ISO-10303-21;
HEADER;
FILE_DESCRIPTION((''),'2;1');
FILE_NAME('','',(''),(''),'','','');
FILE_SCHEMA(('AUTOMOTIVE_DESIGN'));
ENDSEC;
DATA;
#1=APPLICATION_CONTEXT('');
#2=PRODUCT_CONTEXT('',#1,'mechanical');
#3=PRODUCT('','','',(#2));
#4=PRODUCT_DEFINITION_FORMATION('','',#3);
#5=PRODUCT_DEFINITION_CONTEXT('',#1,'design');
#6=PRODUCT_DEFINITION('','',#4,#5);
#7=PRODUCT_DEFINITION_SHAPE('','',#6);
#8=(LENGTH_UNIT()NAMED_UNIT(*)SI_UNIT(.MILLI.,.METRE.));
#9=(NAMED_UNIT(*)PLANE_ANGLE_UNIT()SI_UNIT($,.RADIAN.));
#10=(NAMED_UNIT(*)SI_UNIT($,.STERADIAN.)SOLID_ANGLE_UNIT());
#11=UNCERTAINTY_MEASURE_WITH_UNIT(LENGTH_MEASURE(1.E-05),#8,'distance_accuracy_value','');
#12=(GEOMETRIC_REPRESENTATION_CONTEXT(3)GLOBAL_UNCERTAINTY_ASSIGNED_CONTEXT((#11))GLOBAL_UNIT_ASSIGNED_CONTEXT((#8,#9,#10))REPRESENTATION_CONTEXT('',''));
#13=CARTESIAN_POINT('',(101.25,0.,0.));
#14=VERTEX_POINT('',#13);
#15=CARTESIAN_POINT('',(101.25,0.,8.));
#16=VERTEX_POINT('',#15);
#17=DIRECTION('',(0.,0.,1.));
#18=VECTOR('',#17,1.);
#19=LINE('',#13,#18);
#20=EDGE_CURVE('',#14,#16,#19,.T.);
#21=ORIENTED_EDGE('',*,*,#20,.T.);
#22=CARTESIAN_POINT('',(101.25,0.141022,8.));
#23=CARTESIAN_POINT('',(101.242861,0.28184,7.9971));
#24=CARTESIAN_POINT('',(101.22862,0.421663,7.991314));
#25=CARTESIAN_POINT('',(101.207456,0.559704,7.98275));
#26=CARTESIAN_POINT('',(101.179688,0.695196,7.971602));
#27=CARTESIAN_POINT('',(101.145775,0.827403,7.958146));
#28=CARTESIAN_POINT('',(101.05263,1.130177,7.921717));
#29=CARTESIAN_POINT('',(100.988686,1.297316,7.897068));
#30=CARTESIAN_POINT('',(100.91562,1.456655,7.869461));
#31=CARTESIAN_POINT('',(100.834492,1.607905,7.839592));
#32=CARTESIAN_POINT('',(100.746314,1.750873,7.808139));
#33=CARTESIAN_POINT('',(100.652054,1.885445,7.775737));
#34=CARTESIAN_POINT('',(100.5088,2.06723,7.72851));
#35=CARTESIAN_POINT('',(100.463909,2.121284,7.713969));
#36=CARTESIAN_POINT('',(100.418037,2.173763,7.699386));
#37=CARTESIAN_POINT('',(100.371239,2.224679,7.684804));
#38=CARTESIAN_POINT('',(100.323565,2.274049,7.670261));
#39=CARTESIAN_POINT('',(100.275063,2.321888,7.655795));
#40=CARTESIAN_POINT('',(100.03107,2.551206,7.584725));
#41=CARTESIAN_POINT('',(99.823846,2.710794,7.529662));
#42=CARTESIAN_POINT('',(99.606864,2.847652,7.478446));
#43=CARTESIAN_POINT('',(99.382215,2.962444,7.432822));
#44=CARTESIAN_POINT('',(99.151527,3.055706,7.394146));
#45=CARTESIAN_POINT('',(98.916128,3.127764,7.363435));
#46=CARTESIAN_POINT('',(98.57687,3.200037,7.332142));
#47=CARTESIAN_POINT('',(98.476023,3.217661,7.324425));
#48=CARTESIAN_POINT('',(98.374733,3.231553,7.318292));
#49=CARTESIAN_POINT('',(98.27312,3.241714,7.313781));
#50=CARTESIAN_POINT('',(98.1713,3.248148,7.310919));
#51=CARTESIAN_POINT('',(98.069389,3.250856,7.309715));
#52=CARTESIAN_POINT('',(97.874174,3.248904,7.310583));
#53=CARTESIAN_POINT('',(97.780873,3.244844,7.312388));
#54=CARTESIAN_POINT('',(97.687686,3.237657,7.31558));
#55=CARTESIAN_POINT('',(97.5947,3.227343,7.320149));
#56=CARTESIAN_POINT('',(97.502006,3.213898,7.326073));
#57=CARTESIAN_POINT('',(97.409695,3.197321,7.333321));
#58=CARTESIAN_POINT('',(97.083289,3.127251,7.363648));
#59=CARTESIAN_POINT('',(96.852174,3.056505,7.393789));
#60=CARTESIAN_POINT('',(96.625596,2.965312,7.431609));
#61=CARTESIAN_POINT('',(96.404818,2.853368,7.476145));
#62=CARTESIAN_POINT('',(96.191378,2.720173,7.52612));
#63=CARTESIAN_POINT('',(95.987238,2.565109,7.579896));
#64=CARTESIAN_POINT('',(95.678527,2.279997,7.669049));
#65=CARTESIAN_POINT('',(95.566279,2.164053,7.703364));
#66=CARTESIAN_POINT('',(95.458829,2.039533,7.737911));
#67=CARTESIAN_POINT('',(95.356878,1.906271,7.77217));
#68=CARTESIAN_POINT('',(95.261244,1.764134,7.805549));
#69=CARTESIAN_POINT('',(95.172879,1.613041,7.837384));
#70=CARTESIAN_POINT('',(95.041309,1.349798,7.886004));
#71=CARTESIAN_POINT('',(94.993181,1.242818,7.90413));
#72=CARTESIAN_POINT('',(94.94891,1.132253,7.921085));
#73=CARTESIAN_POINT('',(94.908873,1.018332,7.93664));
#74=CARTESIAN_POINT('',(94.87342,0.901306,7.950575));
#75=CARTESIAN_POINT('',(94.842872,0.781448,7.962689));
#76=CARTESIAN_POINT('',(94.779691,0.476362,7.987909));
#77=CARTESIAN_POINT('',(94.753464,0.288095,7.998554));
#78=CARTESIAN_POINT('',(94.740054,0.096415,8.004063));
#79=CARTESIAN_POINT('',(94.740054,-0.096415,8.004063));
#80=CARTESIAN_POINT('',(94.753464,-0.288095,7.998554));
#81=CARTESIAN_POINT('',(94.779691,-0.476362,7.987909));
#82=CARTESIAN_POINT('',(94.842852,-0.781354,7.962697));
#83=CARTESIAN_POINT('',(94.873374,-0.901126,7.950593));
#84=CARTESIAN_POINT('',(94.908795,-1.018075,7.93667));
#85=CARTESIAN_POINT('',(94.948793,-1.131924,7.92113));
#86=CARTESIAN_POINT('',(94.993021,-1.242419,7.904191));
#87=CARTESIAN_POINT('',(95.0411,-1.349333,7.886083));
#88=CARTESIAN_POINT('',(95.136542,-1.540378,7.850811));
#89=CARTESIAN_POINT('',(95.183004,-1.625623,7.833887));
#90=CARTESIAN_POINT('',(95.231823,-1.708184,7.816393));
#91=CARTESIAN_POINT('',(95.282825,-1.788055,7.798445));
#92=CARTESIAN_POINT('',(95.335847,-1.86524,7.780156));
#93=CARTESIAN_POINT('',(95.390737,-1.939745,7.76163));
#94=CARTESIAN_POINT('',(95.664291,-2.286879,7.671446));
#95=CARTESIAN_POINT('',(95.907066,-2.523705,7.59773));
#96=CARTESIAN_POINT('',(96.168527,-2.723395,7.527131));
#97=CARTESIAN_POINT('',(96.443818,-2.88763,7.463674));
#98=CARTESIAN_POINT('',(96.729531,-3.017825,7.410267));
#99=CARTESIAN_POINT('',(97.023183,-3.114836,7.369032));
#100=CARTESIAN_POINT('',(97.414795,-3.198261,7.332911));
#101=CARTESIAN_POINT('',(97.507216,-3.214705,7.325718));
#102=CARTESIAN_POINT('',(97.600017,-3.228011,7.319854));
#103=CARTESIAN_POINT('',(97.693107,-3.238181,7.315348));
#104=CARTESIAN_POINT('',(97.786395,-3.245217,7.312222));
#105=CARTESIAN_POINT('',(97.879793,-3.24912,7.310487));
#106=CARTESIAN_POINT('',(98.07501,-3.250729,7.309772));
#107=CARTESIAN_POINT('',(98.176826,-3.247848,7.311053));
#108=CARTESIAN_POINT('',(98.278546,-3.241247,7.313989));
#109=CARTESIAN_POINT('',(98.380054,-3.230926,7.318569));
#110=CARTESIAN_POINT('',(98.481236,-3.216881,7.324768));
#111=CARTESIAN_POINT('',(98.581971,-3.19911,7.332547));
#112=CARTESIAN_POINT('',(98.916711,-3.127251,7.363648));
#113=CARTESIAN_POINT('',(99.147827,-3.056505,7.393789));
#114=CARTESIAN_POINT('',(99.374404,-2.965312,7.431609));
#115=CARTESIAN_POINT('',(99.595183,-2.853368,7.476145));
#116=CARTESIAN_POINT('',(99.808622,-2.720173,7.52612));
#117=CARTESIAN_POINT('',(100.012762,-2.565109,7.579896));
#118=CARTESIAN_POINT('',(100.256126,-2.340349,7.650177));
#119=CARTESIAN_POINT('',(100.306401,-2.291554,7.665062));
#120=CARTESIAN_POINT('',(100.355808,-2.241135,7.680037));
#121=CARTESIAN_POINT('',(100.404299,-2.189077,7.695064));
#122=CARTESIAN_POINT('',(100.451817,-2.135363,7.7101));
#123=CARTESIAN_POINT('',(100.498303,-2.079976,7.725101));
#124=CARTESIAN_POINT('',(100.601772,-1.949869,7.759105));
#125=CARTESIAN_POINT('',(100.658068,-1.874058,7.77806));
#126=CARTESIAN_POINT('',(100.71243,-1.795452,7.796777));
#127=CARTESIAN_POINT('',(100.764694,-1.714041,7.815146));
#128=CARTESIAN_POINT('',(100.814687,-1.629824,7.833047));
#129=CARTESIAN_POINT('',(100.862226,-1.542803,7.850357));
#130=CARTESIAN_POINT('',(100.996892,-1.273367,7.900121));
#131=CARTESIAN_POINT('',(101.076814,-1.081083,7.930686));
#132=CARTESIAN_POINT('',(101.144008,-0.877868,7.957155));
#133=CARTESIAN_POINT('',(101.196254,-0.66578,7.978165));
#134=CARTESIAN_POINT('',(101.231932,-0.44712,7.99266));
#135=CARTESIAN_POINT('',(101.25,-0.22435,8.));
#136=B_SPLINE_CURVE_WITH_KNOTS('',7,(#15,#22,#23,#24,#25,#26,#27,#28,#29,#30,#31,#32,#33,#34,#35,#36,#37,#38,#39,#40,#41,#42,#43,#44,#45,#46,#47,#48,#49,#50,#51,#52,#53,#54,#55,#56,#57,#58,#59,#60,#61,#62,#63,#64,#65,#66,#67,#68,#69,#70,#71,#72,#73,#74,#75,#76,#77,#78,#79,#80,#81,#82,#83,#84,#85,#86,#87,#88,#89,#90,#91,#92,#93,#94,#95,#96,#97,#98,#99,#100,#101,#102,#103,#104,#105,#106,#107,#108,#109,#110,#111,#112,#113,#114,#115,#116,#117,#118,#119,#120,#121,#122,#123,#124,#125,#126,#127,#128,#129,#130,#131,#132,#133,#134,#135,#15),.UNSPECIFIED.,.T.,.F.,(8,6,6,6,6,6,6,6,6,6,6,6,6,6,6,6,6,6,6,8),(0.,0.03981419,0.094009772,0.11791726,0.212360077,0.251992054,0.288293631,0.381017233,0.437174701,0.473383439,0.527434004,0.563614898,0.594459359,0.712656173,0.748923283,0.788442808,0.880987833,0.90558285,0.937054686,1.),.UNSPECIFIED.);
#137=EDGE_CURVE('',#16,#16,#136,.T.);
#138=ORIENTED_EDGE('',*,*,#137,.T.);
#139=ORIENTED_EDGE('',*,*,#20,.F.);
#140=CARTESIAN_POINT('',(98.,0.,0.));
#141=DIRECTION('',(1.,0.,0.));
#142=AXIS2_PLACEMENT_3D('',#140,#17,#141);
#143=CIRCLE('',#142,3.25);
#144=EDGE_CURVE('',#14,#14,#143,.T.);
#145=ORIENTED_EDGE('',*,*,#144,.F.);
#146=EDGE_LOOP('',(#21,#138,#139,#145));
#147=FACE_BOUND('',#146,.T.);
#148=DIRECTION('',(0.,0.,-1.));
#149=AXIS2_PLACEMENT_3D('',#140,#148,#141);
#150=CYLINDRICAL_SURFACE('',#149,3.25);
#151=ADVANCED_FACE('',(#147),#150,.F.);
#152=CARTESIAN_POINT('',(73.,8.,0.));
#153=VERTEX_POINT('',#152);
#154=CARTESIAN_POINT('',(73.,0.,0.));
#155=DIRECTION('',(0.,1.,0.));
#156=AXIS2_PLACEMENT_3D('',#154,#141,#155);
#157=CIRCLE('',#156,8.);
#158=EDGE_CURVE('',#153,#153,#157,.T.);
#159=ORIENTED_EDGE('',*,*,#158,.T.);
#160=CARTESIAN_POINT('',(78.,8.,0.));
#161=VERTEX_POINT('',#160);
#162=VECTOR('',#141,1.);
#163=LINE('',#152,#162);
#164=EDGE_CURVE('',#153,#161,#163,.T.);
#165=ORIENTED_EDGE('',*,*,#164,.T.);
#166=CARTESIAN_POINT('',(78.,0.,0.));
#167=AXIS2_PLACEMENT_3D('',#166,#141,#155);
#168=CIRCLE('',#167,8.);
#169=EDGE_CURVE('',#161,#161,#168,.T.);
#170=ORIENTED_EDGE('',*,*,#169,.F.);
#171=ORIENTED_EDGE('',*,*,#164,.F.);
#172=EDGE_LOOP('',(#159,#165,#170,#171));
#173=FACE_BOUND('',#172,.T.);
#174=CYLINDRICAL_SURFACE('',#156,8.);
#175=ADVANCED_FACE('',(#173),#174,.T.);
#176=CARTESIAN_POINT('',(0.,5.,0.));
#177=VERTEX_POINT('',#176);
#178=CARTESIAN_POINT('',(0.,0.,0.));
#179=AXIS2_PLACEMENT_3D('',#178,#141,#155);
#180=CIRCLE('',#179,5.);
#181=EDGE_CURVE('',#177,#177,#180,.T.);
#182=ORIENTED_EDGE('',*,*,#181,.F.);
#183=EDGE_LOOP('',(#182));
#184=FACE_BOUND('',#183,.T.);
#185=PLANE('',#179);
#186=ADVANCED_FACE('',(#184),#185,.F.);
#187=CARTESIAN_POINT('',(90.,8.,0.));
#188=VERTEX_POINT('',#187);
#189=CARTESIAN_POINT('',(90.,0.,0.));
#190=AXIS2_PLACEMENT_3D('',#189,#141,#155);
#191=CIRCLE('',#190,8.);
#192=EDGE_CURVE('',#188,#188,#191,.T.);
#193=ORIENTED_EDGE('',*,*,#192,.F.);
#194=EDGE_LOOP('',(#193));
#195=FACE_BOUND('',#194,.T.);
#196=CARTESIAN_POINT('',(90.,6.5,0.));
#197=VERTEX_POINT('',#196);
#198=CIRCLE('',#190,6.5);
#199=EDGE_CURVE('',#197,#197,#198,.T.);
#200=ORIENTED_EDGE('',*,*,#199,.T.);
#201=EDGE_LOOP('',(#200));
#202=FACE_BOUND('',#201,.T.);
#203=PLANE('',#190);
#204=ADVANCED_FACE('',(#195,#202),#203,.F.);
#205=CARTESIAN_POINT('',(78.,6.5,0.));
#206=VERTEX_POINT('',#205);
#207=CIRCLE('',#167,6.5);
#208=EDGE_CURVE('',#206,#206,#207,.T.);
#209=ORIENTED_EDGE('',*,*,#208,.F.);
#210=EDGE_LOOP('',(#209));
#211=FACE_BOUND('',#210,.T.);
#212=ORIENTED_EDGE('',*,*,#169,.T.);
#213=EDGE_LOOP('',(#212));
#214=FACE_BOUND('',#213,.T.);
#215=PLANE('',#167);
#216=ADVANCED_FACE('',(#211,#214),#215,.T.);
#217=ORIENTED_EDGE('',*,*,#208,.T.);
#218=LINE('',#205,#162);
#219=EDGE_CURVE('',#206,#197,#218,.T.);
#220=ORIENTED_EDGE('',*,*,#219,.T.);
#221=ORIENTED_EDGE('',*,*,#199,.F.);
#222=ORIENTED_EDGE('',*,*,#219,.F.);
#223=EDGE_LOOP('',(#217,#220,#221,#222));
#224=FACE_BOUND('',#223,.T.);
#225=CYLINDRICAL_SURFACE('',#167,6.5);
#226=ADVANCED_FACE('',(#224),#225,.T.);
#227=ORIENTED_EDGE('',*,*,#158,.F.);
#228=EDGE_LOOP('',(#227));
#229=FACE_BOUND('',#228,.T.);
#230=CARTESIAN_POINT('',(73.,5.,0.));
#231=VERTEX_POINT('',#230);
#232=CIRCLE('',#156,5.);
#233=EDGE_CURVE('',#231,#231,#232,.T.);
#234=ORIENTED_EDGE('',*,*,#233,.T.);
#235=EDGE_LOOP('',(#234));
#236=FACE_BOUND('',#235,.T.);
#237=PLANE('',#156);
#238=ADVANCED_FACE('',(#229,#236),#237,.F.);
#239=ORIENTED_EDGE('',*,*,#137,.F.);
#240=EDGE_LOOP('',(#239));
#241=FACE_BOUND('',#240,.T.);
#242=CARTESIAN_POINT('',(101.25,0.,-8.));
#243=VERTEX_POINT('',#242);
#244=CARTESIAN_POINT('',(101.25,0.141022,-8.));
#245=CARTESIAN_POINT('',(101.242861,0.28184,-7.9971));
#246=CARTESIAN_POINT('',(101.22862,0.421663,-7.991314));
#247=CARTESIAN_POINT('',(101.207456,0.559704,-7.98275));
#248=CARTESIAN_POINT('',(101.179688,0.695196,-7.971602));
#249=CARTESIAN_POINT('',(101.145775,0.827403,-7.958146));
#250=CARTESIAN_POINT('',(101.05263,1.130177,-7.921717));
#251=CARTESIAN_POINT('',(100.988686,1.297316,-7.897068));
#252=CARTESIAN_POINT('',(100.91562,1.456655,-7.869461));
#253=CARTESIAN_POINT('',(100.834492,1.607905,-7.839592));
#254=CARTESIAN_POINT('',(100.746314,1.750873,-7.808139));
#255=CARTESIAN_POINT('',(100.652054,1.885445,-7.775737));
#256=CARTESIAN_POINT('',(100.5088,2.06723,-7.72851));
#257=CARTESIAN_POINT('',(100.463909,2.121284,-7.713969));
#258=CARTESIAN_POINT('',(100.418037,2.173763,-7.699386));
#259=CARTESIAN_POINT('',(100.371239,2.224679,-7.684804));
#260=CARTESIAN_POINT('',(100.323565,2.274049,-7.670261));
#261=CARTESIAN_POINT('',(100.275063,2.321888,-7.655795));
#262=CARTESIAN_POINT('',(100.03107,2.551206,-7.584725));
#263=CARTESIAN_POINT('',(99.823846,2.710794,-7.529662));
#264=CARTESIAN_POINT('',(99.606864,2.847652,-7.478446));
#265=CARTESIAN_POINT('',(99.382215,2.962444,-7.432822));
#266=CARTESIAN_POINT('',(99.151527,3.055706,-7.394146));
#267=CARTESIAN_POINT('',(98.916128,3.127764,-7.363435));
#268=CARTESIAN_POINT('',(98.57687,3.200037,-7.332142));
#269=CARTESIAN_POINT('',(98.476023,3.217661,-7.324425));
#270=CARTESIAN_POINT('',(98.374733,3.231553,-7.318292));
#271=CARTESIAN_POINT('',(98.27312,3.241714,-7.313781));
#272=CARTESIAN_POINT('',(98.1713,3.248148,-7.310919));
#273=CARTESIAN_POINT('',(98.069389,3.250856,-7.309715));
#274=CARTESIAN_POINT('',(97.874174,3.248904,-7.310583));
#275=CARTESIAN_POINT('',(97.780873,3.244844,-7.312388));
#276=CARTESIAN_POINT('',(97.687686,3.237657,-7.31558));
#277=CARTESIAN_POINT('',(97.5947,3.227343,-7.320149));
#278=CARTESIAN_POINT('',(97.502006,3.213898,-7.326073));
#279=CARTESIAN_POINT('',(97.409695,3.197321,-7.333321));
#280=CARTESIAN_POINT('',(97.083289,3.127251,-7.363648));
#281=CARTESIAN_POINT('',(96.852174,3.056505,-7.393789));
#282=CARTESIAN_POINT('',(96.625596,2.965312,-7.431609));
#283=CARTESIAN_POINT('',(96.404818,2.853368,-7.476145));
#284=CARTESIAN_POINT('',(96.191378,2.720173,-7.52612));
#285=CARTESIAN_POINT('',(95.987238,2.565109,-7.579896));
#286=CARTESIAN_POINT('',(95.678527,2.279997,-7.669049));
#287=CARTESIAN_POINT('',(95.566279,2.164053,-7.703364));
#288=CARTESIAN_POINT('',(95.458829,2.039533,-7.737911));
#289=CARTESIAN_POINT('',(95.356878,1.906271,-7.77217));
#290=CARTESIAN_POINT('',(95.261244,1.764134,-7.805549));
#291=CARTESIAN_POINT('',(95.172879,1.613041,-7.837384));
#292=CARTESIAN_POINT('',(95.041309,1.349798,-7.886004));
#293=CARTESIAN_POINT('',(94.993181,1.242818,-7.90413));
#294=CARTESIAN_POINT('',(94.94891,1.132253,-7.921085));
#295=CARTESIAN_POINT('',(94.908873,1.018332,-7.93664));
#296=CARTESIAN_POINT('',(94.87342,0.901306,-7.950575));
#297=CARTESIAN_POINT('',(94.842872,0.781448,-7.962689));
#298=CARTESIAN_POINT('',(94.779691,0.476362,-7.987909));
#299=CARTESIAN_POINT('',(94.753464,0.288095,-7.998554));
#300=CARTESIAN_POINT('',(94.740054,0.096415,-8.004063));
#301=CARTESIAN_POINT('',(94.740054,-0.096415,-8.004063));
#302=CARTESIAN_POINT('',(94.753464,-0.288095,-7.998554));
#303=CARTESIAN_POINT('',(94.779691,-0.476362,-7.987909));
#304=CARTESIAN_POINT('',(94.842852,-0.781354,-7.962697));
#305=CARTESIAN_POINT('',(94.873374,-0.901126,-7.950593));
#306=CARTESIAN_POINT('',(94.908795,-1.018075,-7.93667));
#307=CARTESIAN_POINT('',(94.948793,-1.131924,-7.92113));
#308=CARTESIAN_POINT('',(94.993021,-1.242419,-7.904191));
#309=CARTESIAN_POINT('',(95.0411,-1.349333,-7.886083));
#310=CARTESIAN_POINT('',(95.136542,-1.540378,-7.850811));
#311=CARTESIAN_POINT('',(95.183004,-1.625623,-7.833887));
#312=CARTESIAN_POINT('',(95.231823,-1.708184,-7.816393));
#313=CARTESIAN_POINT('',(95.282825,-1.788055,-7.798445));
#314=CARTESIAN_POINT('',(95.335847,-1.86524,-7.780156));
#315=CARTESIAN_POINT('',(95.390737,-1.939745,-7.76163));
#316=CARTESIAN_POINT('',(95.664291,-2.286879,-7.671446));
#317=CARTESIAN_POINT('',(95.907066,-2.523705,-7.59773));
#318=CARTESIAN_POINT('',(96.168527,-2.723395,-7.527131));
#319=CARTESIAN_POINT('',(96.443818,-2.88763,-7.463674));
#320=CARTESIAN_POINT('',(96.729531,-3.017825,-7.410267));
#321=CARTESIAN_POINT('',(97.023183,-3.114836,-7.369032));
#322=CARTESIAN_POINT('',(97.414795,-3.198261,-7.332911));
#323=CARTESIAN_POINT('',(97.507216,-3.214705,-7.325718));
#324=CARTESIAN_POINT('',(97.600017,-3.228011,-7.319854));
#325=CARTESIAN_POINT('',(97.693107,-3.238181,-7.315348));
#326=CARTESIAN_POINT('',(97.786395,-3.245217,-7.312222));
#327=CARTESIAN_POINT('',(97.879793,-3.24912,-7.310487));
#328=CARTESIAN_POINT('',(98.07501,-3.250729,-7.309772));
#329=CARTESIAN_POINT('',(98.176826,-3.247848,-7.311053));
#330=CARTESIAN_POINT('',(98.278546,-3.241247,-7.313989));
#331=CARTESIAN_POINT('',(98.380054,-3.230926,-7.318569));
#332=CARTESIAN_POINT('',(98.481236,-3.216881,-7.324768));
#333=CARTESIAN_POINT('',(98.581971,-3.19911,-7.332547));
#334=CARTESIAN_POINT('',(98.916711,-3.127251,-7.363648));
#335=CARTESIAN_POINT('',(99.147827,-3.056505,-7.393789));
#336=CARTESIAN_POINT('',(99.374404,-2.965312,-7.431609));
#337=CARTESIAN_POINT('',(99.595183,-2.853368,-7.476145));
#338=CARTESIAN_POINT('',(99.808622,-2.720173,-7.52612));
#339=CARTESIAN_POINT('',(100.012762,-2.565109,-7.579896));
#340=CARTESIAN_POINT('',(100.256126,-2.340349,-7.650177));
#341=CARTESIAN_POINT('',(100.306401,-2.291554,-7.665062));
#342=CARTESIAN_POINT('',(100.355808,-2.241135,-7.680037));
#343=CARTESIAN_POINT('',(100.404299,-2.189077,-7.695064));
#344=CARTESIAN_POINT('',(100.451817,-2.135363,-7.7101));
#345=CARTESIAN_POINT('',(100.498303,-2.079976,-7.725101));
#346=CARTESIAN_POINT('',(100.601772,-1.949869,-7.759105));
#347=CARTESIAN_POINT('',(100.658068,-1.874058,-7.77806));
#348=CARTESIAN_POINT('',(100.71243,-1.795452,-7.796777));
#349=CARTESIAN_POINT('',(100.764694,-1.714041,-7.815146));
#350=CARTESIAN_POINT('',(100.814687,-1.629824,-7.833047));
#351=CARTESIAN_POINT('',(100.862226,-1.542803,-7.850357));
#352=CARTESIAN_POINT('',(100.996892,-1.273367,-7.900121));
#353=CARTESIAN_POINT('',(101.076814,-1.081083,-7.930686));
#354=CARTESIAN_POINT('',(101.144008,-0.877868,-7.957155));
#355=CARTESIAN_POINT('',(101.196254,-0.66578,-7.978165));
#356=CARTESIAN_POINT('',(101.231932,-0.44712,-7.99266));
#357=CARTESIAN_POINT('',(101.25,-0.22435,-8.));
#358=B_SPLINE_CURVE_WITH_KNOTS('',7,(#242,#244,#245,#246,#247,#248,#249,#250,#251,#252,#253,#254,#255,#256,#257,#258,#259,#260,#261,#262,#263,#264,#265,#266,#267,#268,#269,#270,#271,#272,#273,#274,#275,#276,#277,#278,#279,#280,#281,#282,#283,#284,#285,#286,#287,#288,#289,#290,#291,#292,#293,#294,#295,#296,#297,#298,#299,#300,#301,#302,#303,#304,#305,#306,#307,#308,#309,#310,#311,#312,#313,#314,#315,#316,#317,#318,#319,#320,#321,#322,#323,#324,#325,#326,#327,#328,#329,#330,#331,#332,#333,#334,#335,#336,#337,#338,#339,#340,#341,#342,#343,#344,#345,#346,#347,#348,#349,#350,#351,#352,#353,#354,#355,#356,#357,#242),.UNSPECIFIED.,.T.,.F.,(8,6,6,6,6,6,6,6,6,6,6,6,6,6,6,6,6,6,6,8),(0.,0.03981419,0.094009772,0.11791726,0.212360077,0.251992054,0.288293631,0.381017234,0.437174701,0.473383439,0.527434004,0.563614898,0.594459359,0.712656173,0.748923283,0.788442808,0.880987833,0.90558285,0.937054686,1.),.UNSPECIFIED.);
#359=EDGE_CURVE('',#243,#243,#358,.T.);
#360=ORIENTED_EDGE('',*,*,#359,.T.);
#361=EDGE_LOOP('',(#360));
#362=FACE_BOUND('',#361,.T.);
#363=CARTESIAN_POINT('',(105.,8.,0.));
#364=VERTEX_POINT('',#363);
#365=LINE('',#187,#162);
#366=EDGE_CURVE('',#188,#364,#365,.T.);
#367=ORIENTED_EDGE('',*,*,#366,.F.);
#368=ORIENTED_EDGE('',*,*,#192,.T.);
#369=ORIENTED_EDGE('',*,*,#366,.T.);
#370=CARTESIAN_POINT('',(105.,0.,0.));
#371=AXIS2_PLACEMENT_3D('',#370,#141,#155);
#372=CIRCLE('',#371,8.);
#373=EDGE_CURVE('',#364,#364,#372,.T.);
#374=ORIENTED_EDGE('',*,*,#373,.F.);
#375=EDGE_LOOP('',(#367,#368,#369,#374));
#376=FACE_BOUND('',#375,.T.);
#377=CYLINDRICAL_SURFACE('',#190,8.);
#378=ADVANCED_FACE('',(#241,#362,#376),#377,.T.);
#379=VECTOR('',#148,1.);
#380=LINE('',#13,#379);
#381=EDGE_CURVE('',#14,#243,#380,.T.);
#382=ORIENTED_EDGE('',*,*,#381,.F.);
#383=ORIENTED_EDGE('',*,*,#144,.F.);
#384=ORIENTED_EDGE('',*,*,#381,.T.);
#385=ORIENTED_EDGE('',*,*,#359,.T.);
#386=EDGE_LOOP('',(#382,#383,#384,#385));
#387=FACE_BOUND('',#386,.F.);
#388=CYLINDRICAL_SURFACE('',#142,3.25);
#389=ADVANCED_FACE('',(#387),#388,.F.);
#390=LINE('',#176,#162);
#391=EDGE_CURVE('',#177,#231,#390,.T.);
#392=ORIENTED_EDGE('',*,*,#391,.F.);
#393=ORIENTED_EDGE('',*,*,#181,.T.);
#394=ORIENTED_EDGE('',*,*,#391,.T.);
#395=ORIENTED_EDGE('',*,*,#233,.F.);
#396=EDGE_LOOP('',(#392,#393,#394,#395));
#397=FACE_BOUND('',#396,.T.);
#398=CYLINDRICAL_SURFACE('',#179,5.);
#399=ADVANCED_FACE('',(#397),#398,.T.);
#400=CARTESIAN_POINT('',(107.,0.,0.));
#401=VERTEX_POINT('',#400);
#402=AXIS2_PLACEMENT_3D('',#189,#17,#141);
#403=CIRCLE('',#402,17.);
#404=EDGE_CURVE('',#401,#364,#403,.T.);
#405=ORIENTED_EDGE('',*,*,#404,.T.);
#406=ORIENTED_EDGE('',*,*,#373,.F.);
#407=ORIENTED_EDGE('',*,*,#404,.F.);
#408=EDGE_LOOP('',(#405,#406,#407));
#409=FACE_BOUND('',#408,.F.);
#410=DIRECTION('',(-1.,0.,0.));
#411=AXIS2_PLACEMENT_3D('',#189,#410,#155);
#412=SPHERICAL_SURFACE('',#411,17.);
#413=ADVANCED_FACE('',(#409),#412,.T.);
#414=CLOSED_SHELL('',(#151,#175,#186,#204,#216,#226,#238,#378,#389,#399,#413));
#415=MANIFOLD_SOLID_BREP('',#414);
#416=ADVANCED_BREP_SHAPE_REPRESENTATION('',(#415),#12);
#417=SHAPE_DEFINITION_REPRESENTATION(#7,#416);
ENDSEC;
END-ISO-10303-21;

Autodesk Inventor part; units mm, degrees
ref_plane "YZ Plane" through (0, 0, 0) normal (1, 0, 0) x (0, 1, 0)
ref_plane "XZ Plane" through (0, 0, 0) normal (0, 1, 0) x (-1, 0, 0)
ref_plane "XY Plane" through (0, 0, 0) normal (0, 0, 1) x (1, 0, 0)
sketch "Esboço1" plane through (0, 0, 0) normal (0, 0, 1) x (1, 0, 0)
  line L0 (0, 0) -> (107, 0)
  line L1 (0, 0) -> (0, 5)
  line L2 (0, 5) -> (73, 5)
  line L3 (73, 5) -> (73, 8)
  line L4 (73, 8) -> (78, 8)
  line L5 (78, 8) -> (78, 6.5)
  line L6 (78, 6.5) -> (90, 6.5)
  line L7 (90, 6.5) -> (90, 8)
  line L8 (90, 8) -> (105, 8)
  arc A0 (107, 0) -> (105, 8) centre (90, 0) ccw
  dimension "d0" = 107
  dimension "d2" = 73
  dimension "d4" = 5
  dimension "d6" = 12
  dimension "d8" = 15
  dimension "d9" = 10
  dimension "d10" = 16
  dimension "d11" = 13
  dimension "d12" = 16
revolve "Revolução1" add sketch "Esboço1" angle 360 about axis through (0, 0, 0) along (1, 0, 0)
thread "Rosca1" size "M10x1.5" class "6g" standard "ISO Metric profile" full length
sketch "Esboço2" plane through (0, 0, 0) normal (0, 0, 1) x (1, 0, 0)
  circle A0 centre (98, 0) radius 3.25
  line L0 (0, -5) -> (0, 5) projected
  line L1 (0, 5) -> (73, 5) projected
  line L2 (73, 5) -> (73, 8) projected
  line L3 (73, 8) -> (78, 8) projected
  line L4 (78, 8) -> (78, 6.5) projected
  line L5 (78, 6.5) -> (90, 6.5) projected
  line L6 (90, 6.5) -> (90, 8) projected
  line L7 (90, 8) -> (105, 8) projected
  arc A1 (105, -8) -> (105, 8) centre (90, 0) ccw projected
  line L8 (105, -8) -> (90, -8) projected
  line L9 (90, -8) -> (90, -6.5) projected
  line L10 (90, -6.5) -> (78, -6.5) projected
  line L11 (78, -6.5) -> (78, -8) projected
  line L12 (78, -8) -> (73, -8) projected
  line L13 (73, -8) -> (73, -5) projected
  line L14 (73, -5) -> (0, -5) projected
  point P0 (0, 0)
  dimension "d16" = 6.5
  dimension "d17" = 7
extrude "Extrusão1" cut sketch "Esboço2" along normal through all both and the other way through all contours A0
properties part number "Parafuso1"
